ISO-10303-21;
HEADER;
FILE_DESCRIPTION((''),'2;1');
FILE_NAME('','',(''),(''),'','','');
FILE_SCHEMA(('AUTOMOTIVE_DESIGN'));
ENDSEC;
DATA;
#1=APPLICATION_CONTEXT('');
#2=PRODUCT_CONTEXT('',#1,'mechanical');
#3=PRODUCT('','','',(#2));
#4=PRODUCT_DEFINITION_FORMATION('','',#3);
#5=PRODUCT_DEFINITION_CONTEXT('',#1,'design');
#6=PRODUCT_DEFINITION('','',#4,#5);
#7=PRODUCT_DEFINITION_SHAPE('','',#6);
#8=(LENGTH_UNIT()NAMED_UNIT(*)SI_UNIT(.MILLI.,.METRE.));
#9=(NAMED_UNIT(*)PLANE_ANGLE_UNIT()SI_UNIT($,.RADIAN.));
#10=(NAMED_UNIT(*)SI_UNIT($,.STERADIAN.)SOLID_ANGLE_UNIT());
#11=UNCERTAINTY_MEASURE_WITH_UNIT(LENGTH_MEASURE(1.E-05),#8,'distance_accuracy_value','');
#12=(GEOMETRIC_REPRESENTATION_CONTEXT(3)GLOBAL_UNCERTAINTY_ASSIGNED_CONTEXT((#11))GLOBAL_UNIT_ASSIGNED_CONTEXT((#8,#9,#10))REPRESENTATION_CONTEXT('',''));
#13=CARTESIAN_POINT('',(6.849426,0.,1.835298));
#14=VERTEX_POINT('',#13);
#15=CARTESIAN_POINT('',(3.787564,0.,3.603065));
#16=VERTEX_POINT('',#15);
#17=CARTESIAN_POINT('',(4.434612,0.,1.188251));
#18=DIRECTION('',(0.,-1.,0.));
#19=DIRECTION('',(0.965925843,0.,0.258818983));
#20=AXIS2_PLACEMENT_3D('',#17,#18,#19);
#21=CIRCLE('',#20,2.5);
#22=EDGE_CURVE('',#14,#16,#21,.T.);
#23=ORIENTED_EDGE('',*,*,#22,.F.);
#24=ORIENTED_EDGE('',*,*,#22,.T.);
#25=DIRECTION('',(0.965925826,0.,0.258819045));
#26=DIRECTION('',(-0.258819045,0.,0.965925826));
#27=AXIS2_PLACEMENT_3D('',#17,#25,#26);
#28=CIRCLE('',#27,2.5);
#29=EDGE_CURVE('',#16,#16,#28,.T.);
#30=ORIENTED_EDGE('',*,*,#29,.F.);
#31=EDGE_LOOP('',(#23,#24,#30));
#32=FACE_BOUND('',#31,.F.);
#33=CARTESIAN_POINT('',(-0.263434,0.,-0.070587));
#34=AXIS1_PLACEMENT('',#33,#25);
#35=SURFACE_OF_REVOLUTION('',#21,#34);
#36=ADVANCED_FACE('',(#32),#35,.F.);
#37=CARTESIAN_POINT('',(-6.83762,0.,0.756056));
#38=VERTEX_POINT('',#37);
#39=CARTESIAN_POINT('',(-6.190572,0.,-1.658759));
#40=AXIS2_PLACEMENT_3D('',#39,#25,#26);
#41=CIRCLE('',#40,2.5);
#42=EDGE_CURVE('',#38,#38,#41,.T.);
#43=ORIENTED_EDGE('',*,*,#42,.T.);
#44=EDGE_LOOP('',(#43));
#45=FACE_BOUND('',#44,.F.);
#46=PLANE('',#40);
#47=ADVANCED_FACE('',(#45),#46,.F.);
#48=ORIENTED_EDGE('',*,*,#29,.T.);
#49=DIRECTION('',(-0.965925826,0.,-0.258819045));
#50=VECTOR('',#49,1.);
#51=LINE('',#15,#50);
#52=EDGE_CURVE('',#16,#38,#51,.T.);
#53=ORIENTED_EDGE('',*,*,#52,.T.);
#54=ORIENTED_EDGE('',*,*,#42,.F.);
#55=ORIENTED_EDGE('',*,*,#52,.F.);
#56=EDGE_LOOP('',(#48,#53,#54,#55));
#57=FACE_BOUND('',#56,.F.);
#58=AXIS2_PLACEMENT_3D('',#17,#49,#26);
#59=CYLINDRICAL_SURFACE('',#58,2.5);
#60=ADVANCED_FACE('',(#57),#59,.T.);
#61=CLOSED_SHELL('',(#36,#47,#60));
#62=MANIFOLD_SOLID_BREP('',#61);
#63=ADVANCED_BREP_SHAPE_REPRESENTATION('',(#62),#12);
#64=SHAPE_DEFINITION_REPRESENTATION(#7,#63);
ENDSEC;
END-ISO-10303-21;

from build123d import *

# Parameters (mm, degrees)
F3_ANGLE = -15


with BuildPart() as f1:
    # F0 (on Front) → F1 (revolve)
    with BuildSketch(Plane.XZ):
        with BuildLine():
            Line((4.591048, 2.5), (-6.408952, 2.5))
            Line((-6.408952, 2.5), (-6.408952, 0))
            Line((-6.408952, 0), (7.091048, 0))
            ThreePointArc((7.091048, 0), (6.358815, 1.767767), (4.591048, 2.5))
        make_face()
    revolve(axis=Axis((-0.272727, 0, 0), (1, 0, 0)))


with BuildPart() as f1_1:
    # F3: moved
    add(f1.part.rotate(Axis((0, 0.420559, 0), (0, 1, 0)), F3_ANGLE))


solid = f1_1.part
